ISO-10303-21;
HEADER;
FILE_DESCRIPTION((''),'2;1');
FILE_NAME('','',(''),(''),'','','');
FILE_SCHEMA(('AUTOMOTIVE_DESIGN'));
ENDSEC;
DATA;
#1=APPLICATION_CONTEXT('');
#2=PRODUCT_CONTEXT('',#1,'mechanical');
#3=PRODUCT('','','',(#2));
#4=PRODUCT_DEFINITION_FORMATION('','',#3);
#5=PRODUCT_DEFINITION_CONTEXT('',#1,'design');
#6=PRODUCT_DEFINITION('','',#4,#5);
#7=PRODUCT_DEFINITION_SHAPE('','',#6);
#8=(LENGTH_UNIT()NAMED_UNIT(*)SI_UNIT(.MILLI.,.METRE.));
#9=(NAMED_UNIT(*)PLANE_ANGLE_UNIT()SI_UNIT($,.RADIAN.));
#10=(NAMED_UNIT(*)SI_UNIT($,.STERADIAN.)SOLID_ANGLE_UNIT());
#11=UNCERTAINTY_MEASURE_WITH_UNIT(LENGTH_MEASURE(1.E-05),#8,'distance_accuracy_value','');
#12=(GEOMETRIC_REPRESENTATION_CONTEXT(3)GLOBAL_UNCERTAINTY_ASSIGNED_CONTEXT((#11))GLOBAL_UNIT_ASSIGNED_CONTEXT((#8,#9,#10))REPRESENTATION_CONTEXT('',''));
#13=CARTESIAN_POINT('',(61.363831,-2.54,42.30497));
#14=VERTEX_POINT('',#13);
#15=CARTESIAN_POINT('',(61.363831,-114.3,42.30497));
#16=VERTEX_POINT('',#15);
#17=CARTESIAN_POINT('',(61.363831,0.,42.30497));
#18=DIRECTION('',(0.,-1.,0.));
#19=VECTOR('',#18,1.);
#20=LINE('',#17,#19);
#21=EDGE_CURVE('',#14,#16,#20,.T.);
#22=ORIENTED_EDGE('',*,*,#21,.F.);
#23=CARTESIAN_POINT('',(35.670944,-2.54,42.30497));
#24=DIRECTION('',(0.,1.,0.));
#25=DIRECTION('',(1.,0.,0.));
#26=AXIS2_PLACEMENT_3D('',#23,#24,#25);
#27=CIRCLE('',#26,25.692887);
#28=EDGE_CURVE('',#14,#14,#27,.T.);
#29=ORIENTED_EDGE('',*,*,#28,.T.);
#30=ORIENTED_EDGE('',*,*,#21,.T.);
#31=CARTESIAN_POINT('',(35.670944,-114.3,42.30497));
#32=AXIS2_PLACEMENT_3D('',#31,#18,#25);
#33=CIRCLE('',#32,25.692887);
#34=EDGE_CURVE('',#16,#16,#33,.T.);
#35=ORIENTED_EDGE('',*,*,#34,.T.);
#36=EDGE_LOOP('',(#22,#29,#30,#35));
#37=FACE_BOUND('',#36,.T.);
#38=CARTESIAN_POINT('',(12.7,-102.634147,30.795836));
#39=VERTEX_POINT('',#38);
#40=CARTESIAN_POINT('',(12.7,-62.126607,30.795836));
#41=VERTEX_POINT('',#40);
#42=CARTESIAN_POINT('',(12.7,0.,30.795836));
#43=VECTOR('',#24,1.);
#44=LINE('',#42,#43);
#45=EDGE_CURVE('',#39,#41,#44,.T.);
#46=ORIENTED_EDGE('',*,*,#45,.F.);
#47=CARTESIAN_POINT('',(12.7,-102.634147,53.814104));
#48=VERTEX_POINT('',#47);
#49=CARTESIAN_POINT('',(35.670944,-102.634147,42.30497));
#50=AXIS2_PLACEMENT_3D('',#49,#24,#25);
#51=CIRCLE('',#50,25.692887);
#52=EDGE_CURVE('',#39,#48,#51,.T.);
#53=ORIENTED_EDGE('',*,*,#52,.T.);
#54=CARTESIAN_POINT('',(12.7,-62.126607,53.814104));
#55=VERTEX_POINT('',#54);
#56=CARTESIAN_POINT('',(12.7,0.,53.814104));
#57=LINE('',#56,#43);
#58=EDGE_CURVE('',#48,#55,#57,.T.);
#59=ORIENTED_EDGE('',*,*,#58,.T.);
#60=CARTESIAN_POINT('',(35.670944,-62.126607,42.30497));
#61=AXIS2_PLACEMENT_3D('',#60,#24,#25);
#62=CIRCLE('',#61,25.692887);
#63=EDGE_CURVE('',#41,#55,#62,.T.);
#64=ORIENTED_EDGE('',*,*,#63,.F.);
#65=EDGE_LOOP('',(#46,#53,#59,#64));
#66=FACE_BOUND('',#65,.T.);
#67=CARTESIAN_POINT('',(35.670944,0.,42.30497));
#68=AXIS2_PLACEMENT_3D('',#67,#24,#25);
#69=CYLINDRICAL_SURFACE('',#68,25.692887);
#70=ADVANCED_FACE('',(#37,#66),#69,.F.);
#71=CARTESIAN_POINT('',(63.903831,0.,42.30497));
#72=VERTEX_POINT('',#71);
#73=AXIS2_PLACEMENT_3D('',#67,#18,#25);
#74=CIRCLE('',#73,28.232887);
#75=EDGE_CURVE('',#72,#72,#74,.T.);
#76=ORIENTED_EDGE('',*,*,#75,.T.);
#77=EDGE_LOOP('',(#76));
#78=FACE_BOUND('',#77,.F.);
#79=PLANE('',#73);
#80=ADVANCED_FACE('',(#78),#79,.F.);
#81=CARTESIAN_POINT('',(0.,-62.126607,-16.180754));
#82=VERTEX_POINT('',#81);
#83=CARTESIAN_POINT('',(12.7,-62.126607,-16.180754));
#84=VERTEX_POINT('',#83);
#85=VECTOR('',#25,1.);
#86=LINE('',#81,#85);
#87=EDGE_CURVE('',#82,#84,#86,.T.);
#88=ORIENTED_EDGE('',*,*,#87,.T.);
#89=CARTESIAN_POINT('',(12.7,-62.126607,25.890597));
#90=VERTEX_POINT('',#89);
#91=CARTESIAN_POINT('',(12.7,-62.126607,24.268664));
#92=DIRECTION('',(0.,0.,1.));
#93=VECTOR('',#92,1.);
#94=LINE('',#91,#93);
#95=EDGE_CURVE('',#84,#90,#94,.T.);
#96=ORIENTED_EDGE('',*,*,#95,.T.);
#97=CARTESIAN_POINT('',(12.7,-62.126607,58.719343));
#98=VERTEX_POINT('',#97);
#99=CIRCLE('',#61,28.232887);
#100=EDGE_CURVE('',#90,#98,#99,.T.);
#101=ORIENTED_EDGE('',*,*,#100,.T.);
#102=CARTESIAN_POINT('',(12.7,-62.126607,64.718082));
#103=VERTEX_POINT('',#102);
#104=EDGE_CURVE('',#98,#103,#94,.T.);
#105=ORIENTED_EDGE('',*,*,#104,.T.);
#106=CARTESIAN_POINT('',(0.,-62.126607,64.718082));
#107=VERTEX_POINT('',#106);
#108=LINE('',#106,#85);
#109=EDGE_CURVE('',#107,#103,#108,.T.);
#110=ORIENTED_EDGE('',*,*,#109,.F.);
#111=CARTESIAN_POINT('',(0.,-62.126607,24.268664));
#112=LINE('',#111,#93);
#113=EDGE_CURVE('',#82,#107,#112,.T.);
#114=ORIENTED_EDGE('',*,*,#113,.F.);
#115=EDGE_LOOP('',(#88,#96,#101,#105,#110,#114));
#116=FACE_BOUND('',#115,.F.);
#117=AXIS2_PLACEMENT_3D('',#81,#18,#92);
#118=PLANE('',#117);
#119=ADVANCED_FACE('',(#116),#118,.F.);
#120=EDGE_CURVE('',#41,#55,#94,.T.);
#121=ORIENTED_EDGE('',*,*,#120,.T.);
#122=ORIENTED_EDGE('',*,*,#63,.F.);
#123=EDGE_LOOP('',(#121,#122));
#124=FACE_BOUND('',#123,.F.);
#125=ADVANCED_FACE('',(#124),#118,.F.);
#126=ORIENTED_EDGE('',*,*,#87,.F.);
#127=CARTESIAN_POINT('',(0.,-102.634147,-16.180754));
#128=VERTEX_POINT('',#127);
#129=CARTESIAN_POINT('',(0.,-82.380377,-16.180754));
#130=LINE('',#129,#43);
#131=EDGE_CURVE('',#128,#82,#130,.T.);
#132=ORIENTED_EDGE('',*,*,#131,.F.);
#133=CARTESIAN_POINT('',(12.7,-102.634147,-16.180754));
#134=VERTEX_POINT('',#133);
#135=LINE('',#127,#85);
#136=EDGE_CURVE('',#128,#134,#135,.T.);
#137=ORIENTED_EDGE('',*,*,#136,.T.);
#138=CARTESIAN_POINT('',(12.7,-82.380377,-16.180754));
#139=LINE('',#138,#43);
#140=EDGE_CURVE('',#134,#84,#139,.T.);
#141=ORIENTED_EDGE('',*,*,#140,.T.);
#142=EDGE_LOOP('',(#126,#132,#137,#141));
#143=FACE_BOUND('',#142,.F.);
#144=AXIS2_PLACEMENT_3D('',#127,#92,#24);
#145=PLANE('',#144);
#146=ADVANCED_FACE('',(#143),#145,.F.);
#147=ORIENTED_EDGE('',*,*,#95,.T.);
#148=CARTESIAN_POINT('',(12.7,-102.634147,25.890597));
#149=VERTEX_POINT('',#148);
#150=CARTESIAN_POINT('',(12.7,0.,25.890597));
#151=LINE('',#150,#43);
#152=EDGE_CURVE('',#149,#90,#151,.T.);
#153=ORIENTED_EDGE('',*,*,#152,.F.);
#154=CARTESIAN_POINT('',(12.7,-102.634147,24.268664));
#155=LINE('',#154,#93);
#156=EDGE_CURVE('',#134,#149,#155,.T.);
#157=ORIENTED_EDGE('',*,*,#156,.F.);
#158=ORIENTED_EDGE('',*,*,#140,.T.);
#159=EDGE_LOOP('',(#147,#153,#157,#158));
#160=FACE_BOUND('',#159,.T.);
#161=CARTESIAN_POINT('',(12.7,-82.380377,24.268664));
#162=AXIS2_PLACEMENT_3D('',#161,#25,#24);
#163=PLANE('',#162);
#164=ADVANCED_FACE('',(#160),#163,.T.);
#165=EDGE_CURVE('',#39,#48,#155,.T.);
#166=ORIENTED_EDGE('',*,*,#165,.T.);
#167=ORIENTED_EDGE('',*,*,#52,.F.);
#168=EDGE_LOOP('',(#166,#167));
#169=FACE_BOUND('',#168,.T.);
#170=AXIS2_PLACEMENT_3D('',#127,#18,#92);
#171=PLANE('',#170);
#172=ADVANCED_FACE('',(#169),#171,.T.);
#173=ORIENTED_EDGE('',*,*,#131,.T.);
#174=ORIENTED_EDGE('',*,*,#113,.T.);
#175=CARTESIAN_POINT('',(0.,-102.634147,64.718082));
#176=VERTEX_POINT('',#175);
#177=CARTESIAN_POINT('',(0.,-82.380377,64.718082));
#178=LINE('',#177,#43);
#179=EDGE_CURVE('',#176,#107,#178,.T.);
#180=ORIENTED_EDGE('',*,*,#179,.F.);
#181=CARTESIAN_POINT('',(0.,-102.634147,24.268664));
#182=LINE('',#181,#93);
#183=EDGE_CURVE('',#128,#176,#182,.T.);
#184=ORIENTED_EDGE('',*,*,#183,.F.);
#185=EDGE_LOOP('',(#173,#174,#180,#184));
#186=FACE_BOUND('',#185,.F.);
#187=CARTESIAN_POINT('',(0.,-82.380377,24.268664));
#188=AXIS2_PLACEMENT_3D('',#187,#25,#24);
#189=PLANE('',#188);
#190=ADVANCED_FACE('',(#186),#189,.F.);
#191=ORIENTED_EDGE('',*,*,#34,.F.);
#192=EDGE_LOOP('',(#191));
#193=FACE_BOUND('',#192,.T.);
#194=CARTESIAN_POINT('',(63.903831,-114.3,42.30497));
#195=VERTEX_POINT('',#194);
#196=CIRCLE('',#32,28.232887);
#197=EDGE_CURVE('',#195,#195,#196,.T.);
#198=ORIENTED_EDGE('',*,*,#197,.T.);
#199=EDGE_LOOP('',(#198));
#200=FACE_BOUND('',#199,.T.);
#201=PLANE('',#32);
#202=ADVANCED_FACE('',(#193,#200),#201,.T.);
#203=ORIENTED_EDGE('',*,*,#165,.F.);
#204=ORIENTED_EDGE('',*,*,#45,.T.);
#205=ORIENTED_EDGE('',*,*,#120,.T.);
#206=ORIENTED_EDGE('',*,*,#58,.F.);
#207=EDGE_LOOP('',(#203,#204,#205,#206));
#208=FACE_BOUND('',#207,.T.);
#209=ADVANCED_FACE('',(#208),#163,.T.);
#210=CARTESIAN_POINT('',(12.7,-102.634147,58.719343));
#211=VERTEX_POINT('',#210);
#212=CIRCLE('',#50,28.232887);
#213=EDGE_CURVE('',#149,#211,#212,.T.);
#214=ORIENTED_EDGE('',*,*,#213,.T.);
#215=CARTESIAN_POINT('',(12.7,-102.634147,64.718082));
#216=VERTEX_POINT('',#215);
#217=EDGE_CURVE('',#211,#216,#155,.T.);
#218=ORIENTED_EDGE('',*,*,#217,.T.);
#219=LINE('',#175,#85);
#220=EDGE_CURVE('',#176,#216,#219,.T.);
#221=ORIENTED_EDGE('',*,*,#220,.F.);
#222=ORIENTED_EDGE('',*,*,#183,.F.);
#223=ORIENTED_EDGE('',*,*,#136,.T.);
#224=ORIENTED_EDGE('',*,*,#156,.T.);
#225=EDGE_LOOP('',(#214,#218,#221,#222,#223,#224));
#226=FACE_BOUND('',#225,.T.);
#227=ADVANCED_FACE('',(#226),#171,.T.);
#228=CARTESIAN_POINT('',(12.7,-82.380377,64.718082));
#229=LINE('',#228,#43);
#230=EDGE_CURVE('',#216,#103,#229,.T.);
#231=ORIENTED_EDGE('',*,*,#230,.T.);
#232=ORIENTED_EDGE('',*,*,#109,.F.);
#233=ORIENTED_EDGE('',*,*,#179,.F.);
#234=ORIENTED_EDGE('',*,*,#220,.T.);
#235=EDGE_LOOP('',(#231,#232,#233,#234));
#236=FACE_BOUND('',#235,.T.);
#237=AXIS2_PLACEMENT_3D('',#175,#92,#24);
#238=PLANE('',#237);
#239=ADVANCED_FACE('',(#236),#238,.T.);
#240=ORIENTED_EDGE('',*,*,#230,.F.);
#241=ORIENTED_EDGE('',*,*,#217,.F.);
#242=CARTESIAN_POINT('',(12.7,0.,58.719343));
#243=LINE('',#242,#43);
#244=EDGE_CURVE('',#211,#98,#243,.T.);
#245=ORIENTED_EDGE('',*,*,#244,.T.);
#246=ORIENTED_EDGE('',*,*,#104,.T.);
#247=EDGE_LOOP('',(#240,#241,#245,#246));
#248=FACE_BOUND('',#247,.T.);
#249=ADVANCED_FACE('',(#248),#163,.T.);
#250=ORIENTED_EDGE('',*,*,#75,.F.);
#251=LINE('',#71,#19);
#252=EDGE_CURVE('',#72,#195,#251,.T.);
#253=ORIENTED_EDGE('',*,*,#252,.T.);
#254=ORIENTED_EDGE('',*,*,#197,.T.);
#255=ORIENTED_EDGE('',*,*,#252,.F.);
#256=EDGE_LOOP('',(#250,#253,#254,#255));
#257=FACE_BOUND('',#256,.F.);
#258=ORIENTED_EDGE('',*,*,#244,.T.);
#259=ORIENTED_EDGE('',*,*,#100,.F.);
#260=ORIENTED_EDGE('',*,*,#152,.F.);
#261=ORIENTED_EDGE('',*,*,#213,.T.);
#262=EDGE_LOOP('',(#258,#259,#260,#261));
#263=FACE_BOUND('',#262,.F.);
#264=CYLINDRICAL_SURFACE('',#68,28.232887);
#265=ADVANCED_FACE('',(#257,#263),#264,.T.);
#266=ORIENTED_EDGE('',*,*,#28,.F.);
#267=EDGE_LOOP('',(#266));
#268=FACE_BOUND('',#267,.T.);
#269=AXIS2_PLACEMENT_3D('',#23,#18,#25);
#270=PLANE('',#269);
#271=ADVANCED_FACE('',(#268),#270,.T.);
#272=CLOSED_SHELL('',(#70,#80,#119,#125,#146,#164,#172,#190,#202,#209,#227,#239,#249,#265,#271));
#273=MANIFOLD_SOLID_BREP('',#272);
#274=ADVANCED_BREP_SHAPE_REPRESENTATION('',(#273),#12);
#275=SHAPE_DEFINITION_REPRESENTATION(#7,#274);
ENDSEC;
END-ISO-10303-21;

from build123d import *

# Parameters (mm, degrees)
F0_R     = 28.232887
F1_DEPTH = 114.3
F2_T     = -2.54
F3_W     = 40.50754
F3_H     = 80.898837
F4_DEPTH = 12.7


with BuildPart() as f1:
    # F0 (on Front) → F1 (new body)
    with BuildSketch(Plane.XZ):
        with Locations((35.670944, 42.30497)):
            Circle(F0_R)
    extrude(amount=F1_DEPTH)

    # F2
    f2_openings = [f1.faces().sort_by_distance(p)[0] for p in [
        (35.670944, -114.3, 42.30497),
    ]]
    offset(amount=F2_T, openings=f2_openings)

    # F3 (on Right) → F4 (join)
    with BuildSketch(Plane.YZ):
        with Locations((-82.380377, 24.268664)):
            Rectangle(F3_W, F3_H)
    extrude(amount=F4_DEPTH)


solid = f1.part
